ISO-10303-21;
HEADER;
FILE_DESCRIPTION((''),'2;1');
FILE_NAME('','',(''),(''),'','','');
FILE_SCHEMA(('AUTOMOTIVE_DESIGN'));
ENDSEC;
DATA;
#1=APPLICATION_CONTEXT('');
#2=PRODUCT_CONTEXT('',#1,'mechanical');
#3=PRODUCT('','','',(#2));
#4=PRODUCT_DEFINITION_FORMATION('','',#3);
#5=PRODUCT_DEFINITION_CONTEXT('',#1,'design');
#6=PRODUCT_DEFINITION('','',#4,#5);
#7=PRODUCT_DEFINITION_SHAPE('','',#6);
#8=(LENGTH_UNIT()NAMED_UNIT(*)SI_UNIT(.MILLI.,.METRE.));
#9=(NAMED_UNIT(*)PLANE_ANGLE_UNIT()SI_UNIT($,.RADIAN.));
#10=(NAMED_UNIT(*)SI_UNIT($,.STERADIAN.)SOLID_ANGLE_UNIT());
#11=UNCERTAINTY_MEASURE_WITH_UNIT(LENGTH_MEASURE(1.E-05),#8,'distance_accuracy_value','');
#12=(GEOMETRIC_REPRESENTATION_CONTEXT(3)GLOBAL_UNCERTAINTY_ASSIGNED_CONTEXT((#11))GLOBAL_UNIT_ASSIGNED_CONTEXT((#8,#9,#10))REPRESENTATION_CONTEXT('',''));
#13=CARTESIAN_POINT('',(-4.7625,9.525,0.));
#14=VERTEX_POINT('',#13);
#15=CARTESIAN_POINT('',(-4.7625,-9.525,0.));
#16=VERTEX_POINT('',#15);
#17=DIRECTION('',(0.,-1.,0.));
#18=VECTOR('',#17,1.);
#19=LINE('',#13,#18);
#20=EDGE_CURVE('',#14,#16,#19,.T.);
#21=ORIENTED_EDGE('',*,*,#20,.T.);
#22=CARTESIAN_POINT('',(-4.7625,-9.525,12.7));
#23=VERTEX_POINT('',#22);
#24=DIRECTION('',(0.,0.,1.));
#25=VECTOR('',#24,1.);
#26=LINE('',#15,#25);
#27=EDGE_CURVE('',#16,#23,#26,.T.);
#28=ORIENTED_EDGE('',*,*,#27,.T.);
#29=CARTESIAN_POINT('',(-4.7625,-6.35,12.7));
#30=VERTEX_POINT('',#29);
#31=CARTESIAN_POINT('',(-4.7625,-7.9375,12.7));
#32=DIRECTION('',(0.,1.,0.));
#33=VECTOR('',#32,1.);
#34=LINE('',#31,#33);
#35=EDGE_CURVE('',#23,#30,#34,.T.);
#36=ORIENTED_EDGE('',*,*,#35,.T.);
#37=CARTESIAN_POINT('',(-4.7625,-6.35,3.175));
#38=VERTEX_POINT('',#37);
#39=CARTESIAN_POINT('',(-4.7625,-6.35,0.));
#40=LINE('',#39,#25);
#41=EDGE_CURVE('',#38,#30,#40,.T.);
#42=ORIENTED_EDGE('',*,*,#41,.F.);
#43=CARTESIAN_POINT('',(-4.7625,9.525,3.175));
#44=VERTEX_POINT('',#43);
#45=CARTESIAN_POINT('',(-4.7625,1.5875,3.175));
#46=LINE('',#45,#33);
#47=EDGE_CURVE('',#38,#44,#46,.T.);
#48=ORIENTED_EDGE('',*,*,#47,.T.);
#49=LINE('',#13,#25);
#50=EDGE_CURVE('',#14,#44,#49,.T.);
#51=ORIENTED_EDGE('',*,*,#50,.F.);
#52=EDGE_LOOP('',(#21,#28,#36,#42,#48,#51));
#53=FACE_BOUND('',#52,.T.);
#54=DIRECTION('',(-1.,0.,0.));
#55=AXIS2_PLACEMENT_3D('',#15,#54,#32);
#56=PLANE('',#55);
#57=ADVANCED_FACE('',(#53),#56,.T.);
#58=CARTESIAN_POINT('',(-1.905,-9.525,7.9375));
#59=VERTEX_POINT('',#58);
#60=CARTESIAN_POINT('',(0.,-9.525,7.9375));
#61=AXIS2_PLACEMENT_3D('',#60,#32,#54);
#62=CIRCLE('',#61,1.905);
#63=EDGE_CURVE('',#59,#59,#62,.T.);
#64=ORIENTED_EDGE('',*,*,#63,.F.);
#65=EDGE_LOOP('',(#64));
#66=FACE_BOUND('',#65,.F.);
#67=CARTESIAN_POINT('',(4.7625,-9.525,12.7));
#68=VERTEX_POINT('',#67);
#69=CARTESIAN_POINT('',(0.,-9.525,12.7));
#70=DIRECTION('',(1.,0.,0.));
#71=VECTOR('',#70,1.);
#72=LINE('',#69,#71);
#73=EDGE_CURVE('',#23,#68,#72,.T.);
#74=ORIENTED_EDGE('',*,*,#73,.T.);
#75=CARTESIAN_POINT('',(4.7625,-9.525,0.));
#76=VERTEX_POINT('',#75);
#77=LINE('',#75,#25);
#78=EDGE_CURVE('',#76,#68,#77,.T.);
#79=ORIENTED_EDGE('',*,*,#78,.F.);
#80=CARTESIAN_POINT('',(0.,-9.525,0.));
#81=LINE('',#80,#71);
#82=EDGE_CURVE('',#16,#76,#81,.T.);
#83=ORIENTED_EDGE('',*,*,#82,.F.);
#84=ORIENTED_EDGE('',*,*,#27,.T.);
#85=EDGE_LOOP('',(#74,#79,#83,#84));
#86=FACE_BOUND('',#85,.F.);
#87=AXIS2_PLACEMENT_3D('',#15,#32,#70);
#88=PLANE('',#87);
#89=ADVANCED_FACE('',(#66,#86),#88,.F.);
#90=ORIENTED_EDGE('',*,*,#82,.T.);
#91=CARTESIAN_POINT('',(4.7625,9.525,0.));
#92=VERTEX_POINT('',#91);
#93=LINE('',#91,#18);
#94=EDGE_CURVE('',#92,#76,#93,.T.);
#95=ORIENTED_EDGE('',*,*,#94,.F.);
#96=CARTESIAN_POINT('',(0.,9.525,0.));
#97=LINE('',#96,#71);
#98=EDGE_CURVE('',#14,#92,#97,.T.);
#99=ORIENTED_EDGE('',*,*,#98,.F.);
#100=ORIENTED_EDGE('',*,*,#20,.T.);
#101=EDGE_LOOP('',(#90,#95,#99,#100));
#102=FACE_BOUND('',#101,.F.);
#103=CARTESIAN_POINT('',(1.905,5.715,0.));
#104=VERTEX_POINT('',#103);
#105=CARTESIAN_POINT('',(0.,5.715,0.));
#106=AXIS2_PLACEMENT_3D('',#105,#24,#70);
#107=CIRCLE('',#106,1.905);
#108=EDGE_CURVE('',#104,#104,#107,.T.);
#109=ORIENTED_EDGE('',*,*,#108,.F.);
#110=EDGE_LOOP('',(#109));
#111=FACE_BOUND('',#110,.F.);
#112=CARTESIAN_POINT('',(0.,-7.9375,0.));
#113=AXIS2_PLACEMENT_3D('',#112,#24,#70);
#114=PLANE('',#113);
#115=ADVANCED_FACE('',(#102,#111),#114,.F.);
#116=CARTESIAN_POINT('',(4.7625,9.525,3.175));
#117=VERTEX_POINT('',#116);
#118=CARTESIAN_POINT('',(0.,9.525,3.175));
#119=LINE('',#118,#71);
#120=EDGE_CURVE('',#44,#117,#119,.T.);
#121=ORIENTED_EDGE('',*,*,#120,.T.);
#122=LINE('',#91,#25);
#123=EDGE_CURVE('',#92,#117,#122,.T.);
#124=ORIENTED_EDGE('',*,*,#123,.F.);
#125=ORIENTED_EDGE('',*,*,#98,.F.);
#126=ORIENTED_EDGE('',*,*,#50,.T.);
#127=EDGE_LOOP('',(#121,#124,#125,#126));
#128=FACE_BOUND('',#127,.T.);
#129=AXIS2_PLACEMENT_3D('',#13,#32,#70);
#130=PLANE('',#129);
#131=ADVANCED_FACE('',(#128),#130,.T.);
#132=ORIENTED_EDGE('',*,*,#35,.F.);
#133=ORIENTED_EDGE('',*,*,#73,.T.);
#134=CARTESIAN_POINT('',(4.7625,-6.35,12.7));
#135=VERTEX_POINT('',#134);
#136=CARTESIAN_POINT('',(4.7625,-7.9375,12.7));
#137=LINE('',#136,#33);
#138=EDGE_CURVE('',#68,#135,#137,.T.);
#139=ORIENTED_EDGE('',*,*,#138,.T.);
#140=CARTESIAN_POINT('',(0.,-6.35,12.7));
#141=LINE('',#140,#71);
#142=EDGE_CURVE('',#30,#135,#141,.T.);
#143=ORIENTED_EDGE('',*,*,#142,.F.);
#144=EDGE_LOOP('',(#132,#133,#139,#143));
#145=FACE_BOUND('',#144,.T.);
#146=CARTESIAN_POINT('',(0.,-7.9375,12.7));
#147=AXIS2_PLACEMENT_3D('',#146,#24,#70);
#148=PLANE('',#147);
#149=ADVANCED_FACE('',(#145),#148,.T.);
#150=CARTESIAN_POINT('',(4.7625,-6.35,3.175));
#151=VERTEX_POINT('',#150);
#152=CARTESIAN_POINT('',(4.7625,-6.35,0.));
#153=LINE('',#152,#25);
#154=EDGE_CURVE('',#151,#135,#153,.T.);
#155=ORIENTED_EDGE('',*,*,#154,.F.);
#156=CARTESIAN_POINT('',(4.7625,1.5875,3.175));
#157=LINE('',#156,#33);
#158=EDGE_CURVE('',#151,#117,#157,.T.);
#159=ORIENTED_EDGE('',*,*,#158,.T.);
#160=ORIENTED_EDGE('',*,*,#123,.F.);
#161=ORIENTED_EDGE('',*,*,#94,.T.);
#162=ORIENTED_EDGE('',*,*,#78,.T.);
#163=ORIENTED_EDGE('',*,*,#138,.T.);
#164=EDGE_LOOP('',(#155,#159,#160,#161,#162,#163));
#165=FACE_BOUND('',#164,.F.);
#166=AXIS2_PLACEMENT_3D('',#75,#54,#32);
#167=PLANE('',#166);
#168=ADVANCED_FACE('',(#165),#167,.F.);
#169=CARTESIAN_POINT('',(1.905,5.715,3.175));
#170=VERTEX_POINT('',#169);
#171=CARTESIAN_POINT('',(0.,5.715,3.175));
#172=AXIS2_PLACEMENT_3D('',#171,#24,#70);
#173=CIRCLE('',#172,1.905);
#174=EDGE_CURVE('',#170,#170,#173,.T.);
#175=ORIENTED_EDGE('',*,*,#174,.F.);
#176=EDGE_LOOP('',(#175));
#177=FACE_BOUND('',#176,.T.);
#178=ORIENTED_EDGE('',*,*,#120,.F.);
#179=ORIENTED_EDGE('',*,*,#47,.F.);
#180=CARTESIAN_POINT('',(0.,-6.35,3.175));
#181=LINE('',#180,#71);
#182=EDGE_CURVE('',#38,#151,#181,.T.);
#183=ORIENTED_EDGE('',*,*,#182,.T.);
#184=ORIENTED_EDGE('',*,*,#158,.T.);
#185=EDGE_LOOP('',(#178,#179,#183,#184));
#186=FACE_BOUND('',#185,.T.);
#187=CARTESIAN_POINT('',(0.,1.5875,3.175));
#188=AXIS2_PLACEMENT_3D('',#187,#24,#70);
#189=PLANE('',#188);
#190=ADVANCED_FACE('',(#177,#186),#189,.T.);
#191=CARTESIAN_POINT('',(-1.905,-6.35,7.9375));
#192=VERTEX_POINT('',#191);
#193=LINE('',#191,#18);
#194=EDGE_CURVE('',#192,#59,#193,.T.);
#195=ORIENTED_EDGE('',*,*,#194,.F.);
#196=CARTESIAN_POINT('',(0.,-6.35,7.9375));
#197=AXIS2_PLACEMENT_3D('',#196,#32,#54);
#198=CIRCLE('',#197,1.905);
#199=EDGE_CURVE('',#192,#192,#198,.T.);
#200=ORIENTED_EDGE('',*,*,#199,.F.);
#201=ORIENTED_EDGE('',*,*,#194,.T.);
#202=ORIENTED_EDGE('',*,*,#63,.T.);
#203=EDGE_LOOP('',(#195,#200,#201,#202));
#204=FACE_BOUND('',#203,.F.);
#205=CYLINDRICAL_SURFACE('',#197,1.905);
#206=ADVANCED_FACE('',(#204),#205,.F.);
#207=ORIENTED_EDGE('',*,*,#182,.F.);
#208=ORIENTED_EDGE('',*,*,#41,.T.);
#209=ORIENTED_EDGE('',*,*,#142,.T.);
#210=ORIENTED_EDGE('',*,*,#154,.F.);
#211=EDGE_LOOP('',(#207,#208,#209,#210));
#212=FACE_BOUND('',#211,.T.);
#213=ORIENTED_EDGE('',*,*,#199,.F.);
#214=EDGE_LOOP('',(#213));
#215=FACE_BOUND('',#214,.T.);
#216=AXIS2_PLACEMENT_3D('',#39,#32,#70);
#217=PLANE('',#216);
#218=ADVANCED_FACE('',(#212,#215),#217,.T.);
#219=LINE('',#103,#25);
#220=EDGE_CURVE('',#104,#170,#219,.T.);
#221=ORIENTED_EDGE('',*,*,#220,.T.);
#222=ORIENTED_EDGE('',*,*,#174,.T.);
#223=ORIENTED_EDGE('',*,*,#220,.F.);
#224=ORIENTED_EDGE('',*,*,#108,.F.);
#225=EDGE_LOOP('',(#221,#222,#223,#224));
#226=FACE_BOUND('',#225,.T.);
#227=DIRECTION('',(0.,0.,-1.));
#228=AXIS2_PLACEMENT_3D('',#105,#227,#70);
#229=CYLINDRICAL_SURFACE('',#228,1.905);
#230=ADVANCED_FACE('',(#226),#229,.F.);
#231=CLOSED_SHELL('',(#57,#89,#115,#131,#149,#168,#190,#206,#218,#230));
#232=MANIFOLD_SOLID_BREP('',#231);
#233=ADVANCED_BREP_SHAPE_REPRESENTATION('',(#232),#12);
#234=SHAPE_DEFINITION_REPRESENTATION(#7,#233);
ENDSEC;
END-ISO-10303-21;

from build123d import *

# Parameters (mm, degrees)
F0_W     = 9.525
F0_H     = 15.875
F0_R     = 1.905
F1_DEPTH = 3.175
F0_H_2   = 3.175
F2_DEPTH = 12.7
F3_R     = 1.905
F4_DEPTH = 25.4


with BuildPart() as f1:
    # F0 (on Top) → F1 (new body)
    with BuildSketch(Plane.XY):
        with Locations((0, 1.5875)):
            Rectangle(F0_W, F0_H)
        with Locations((0, 5.715)):
            Circle(F0_R, mode=Mode.SUBTRACT)
    extrude(amount=F1_DEPTH)

    # F0 (on Top) → F2 (join)
    with BuildSketch(Plane.XY):
        with Locations((0, -7.9375)):
            Rectangle(F0_W, F0_H_2)
    extrude(amount=F2_DEPTH)

    # F3 (on face) → F4 (cut)
    with BuildSketch(Plane(origin=(0, -6.35, 0), x_dir=(-1, 0, 0), z_dir=(0, 1, 0))):
        with Locations((0, 7.9375)):
            Circle(F3_R)
    extrude(amount=-F4_DEPTH, mode=Mode.SUBTRACT)


solid = f1.part
